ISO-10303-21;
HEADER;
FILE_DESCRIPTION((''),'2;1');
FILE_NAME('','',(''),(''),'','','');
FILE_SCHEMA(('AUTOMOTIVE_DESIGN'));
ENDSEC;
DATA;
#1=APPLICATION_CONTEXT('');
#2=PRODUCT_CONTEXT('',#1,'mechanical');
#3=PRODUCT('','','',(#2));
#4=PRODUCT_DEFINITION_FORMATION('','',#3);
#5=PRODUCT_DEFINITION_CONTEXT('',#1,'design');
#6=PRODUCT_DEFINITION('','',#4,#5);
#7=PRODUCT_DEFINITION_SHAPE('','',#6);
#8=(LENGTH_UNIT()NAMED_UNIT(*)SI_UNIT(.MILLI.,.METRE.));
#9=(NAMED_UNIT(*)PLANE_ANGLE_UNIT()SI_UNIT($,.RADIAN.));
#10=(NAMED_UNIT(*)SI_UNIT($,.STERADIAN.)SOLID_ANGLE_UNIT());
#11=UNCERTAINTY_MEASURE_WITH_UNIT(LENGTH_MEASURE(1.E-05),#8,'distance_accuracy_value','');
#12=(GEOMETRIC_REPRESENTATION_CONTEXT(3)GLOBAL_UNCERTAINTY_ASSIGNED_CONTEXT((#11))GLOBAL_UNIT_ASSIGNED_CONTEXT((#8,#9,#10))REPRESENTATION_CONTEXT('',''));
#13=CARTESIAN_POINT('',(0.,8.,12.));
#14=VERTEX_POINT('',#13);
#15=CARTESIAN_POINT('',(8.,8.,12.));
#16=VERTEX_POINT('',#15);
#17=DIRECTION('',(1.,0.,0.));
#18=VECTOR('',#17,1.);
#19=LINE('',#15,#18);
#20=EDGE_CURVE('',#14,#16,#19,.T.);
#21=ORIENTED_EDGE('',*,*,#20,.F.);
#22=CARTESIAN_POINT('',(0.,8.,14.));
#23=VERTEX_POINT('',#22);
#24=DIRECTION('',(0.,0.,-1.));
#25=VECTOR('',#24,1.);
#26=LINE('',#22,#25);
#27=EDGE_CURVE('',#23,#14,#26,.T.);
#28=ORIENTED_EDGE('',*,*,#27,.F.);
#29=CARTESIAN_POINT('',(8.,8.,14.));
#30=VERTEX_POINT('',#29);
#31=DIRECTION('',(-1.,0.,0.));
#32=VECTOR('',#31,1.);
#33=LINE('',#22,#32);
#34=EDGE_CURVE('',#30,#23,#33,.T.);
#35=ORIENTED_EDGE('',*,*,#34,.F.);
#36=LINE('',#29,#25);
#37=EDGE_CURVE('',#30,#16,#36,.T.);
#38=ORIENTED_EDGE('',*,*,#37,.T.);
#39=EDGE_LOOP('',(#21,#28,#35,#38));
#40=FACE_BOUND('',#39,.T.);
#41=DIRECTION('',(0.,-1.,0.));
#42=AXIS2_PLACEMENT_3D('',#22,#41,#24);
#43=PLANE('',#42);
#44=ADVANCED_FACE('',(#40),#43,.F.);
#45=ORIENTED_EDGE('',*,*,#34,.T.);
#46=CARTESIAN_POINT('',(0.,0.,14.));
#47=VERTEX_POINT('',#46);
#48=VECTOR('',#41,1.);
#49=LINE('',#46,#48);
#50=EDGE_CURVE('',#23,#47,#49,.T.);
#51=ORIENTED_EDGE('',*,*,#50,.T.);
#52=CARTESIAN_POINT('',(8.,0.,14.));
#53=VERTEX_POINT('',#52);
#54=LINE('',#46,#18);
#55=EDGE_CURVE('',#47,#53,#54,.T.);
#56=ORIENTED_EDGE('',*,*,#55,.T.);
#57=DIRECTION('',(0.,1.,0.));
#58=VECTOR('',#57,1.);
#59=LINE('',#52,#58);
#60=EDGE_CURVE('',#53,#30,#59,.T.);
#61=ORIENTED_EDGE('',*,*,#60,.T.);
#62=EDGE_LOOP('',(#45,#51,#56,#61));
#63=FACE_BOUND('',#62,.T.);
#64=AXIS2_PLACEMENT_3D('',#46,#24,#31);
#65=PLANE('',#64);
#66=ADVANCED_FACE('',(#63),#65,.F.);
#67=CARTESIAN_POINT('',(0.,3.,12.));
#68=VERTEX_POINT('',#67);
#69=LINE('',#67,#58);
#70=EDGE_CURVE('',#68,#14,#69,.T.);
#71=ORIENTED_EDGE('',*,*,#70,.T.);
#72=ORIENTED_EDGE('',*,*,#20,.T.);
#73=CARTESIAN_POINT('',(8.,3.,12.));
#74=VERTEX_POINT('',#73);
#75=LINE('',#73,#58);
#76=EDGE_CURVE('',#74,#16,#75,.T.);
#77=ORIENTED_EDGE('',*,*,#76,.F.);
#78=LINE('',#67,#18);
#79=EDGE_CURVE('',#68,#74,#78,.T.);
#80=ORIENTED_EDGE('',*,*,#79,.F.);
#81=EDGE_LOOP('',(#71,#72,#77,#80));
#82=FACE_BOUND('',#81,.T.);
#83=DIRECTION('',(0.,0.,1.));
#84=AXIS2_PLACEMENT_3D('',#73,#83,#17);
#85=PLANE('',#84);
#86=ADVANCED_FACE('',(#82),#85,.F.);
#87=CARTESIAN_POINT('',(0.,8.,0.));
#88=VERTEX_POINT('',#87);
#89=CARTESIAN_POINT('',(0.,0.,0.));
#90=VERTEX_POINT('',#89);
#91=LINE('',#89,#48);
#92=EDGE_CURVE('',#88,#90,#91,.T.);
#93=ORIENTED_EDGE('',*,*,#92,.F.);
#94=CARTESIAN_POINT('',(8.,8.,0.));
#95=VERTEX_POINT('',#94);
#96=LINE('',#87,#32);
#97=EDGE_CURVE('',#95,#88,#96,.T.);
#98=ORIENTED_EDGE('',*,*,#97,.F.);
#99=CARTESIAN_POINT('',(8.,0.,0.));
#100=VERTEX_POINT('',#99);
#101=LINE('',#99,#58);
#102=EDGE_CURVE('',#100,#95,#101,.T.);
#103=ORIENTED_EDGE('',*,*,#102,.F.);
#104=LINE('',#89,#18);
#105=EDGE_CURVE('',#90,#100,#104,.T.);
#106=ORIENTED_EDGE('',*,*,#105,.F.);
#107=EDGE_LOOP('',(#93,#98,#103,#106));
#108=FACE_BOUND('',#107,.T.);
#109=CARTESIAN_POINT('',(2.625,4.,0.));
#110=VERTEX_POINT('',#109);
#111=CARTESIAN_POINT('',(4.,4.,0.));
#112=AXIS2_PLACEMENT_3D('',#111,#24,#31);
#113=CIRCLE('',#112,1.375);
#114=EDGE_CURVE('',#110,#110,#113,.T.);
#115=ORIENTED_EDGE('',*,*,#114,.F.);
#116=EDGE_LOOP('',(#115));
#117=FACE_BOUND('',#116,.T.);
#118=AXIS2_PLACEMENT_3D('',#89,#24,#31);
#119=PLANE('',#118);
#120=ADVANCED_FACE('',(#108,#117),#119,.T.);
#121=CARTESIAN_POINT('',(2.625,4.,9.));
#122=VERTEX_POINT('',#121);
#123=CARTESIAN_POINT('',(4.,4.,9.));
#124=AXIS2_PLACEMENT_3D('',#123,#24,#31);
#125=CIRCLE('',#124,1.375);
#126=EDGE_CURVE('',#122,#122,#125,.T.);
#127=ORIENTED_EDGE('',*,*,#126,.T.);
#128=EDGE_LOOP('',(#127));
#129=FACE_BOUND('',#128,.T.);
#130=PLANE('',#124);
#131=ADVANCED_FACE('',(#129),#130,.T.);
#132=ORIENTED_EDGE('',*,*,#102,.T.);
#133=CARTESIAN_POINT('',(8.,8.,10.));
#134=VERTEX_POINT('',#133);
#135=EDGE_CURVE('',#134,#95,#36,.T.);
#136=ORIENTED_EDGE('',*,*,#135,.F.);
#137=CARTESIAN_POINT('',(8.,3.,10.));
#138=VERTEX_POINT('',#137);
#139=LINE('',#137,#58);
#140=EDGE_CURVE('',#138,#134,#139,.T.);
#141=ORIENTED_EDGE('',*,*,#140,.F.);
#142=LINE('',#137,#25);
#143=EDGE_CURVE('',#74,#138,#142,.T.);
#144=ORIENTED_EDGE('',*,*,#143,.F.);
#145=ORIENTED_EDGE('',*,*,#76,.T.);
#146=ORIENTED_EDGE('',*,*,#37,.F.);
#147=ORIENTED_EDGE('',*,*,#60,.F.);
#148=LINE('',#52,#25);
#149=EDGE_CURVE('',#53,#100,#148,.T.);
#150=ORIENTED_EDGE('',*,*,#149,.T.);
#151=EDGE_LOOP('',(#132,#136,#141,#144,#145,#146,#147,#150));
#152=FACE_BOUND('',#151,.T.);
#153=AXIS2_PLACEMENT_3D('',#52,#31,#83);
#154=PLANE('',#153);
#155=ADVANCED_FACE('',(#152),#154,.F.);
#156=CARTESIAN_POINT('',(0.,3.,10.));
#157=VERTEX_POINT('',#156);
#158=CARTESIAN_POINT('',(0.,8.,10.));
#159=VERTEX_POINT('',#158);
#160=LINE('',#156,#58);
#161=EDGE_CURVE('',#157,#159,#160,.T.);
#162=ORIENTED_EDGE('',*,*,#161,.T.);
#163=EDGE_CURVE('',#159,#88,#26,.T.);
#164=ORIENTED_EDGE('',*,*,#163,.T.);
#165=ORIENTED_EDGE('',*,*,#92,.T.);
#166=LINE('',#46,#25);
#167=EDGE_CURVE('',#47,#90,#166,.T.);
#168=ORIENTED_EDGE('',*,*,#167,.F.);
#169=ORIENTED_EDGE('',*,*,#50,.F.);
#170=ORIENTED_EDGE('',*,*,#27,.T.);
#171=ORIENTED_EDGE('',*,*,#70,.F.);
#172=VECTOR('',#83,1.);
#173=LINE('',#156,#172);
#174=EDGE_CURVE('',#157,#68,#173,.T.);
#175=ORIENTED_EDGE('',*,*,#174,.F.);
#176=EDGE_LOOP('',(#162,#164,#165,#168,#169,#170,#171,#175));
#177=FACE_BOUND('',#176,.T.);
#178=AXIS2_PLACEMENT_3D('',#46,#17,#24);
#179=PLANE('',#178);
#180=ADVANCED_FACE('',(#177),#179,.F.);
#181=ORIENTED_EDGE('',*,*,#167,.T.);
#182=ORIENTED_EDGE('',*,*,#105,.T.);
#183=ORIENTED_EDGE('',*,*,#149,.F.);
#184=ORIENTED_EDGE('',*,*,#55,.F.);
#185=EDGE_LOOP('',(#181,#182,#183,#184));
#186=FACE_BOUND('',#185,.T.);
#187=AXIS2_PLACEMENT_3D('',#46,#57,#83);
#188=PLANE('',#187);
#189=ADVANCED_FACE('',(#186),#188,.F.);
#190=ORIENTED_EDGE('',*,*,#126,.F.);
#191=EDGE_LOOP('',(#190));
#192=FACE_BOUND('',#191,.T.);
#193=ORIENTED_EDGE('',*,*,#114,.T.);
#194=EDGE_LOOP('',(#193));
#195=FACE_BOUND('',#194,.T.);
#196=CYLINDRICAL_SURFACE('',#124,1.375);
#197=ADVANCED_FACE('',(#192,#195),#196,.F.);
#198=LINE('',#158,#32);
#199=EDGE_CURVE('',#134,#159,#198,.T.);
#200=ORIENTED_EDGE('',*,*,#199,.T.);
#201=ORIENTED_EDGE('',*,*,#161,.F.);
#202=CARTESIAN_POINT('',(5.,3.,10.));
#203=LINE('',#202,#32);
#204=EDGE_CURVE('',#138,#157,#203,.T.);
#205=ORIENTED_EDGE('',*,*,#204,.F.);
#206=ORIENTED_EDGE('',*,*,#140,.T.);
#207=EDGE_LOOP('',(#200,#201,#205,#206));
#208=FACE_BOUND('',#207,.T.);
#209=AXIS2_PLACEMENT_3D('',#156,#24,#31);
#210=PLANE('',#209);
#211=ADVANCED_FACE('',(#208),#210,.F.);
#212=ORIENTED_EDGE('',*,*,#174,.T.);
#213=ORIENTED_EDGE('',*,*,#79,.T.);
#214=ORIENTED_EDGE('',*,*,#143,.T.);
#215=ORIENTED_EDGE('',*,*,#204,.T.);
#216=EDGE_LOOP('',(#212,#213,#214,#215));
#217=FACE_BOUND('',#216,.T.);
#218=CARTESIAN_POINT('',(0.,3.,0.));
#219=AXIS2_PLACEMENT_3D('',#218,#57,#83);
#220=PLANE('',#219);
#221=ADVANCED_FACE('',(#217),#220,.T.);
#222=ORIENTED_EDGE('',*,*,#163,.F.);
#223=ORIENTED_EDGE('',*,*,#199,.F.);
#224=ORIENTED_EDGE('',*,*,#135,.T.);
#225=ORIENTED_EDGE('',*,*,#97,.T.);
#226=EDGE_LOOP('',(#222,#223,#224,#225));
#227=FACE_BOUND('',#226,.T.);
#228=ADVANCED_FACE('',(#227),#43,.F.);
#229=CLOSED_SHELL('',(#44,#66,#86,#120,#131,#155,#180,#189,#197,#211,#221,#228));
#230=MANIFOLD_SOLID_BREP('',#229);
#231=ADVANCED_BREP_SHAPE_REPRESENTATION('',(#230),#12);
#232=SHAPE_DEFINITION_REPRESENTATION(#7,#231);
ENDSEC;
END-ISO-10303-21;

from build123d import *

# Parameters (mm, degrees)
SZKIC1_W                    = 8
SZKIC1_H                    = 8
DODANIE_WYCI_GNI_CIE1_DEPTH = 14
WYTNIJ_WYCI_GNI_CIE1_DEPTH  = 5
SZKIC3_R                    = 1.375
WYTNIJ_WYCI_GNI_CIE2_DEPTH  = 9


with BuildPart() as part:
    # Szkic1 → Dodanie-wyciągnięcie1 (new body)
    with BuildSketch(Plane.XY):
        with Locations((4, 4)):
            Rectangle(SZKIC1_W, SZKIC1_H)
    extrude(amount=DODANIE_WYCI_GNI_CIE1_DEPTH)

    # Szkic2 → Wytnij-wyciągnięcie1 (cut)
    with BuildSketch(Plane(origin=(0, 8, 0), x_dir=(1, 0, 0), z_dir=(0, 1, 0))):
        Polygon((0, -10), (5, -10), (8, -10), (8, -12), (5, -12), (0, -12), align=None)
    extrude(amount=-WYTNIJ_WYCI_GNI_CIE1_DEPTH, mode=Mode.SUBTRACT)

    # Szkic3 → Wytnij-wyciągnięcie2 (cut)
    with BuildSketch(Plane(origin=(0, 0, 0), x_dir=(-1, 0, 0), z_dir=(0, 0, -1))):
        with Locations((-4, 4)):
            Circle(SZKIC3_R)
    extrude(amount=-WYTNIJ_WYCI_GNI_CIE2_DEPTH, mode=Mode.SUBTRACT)


solid = part.part
